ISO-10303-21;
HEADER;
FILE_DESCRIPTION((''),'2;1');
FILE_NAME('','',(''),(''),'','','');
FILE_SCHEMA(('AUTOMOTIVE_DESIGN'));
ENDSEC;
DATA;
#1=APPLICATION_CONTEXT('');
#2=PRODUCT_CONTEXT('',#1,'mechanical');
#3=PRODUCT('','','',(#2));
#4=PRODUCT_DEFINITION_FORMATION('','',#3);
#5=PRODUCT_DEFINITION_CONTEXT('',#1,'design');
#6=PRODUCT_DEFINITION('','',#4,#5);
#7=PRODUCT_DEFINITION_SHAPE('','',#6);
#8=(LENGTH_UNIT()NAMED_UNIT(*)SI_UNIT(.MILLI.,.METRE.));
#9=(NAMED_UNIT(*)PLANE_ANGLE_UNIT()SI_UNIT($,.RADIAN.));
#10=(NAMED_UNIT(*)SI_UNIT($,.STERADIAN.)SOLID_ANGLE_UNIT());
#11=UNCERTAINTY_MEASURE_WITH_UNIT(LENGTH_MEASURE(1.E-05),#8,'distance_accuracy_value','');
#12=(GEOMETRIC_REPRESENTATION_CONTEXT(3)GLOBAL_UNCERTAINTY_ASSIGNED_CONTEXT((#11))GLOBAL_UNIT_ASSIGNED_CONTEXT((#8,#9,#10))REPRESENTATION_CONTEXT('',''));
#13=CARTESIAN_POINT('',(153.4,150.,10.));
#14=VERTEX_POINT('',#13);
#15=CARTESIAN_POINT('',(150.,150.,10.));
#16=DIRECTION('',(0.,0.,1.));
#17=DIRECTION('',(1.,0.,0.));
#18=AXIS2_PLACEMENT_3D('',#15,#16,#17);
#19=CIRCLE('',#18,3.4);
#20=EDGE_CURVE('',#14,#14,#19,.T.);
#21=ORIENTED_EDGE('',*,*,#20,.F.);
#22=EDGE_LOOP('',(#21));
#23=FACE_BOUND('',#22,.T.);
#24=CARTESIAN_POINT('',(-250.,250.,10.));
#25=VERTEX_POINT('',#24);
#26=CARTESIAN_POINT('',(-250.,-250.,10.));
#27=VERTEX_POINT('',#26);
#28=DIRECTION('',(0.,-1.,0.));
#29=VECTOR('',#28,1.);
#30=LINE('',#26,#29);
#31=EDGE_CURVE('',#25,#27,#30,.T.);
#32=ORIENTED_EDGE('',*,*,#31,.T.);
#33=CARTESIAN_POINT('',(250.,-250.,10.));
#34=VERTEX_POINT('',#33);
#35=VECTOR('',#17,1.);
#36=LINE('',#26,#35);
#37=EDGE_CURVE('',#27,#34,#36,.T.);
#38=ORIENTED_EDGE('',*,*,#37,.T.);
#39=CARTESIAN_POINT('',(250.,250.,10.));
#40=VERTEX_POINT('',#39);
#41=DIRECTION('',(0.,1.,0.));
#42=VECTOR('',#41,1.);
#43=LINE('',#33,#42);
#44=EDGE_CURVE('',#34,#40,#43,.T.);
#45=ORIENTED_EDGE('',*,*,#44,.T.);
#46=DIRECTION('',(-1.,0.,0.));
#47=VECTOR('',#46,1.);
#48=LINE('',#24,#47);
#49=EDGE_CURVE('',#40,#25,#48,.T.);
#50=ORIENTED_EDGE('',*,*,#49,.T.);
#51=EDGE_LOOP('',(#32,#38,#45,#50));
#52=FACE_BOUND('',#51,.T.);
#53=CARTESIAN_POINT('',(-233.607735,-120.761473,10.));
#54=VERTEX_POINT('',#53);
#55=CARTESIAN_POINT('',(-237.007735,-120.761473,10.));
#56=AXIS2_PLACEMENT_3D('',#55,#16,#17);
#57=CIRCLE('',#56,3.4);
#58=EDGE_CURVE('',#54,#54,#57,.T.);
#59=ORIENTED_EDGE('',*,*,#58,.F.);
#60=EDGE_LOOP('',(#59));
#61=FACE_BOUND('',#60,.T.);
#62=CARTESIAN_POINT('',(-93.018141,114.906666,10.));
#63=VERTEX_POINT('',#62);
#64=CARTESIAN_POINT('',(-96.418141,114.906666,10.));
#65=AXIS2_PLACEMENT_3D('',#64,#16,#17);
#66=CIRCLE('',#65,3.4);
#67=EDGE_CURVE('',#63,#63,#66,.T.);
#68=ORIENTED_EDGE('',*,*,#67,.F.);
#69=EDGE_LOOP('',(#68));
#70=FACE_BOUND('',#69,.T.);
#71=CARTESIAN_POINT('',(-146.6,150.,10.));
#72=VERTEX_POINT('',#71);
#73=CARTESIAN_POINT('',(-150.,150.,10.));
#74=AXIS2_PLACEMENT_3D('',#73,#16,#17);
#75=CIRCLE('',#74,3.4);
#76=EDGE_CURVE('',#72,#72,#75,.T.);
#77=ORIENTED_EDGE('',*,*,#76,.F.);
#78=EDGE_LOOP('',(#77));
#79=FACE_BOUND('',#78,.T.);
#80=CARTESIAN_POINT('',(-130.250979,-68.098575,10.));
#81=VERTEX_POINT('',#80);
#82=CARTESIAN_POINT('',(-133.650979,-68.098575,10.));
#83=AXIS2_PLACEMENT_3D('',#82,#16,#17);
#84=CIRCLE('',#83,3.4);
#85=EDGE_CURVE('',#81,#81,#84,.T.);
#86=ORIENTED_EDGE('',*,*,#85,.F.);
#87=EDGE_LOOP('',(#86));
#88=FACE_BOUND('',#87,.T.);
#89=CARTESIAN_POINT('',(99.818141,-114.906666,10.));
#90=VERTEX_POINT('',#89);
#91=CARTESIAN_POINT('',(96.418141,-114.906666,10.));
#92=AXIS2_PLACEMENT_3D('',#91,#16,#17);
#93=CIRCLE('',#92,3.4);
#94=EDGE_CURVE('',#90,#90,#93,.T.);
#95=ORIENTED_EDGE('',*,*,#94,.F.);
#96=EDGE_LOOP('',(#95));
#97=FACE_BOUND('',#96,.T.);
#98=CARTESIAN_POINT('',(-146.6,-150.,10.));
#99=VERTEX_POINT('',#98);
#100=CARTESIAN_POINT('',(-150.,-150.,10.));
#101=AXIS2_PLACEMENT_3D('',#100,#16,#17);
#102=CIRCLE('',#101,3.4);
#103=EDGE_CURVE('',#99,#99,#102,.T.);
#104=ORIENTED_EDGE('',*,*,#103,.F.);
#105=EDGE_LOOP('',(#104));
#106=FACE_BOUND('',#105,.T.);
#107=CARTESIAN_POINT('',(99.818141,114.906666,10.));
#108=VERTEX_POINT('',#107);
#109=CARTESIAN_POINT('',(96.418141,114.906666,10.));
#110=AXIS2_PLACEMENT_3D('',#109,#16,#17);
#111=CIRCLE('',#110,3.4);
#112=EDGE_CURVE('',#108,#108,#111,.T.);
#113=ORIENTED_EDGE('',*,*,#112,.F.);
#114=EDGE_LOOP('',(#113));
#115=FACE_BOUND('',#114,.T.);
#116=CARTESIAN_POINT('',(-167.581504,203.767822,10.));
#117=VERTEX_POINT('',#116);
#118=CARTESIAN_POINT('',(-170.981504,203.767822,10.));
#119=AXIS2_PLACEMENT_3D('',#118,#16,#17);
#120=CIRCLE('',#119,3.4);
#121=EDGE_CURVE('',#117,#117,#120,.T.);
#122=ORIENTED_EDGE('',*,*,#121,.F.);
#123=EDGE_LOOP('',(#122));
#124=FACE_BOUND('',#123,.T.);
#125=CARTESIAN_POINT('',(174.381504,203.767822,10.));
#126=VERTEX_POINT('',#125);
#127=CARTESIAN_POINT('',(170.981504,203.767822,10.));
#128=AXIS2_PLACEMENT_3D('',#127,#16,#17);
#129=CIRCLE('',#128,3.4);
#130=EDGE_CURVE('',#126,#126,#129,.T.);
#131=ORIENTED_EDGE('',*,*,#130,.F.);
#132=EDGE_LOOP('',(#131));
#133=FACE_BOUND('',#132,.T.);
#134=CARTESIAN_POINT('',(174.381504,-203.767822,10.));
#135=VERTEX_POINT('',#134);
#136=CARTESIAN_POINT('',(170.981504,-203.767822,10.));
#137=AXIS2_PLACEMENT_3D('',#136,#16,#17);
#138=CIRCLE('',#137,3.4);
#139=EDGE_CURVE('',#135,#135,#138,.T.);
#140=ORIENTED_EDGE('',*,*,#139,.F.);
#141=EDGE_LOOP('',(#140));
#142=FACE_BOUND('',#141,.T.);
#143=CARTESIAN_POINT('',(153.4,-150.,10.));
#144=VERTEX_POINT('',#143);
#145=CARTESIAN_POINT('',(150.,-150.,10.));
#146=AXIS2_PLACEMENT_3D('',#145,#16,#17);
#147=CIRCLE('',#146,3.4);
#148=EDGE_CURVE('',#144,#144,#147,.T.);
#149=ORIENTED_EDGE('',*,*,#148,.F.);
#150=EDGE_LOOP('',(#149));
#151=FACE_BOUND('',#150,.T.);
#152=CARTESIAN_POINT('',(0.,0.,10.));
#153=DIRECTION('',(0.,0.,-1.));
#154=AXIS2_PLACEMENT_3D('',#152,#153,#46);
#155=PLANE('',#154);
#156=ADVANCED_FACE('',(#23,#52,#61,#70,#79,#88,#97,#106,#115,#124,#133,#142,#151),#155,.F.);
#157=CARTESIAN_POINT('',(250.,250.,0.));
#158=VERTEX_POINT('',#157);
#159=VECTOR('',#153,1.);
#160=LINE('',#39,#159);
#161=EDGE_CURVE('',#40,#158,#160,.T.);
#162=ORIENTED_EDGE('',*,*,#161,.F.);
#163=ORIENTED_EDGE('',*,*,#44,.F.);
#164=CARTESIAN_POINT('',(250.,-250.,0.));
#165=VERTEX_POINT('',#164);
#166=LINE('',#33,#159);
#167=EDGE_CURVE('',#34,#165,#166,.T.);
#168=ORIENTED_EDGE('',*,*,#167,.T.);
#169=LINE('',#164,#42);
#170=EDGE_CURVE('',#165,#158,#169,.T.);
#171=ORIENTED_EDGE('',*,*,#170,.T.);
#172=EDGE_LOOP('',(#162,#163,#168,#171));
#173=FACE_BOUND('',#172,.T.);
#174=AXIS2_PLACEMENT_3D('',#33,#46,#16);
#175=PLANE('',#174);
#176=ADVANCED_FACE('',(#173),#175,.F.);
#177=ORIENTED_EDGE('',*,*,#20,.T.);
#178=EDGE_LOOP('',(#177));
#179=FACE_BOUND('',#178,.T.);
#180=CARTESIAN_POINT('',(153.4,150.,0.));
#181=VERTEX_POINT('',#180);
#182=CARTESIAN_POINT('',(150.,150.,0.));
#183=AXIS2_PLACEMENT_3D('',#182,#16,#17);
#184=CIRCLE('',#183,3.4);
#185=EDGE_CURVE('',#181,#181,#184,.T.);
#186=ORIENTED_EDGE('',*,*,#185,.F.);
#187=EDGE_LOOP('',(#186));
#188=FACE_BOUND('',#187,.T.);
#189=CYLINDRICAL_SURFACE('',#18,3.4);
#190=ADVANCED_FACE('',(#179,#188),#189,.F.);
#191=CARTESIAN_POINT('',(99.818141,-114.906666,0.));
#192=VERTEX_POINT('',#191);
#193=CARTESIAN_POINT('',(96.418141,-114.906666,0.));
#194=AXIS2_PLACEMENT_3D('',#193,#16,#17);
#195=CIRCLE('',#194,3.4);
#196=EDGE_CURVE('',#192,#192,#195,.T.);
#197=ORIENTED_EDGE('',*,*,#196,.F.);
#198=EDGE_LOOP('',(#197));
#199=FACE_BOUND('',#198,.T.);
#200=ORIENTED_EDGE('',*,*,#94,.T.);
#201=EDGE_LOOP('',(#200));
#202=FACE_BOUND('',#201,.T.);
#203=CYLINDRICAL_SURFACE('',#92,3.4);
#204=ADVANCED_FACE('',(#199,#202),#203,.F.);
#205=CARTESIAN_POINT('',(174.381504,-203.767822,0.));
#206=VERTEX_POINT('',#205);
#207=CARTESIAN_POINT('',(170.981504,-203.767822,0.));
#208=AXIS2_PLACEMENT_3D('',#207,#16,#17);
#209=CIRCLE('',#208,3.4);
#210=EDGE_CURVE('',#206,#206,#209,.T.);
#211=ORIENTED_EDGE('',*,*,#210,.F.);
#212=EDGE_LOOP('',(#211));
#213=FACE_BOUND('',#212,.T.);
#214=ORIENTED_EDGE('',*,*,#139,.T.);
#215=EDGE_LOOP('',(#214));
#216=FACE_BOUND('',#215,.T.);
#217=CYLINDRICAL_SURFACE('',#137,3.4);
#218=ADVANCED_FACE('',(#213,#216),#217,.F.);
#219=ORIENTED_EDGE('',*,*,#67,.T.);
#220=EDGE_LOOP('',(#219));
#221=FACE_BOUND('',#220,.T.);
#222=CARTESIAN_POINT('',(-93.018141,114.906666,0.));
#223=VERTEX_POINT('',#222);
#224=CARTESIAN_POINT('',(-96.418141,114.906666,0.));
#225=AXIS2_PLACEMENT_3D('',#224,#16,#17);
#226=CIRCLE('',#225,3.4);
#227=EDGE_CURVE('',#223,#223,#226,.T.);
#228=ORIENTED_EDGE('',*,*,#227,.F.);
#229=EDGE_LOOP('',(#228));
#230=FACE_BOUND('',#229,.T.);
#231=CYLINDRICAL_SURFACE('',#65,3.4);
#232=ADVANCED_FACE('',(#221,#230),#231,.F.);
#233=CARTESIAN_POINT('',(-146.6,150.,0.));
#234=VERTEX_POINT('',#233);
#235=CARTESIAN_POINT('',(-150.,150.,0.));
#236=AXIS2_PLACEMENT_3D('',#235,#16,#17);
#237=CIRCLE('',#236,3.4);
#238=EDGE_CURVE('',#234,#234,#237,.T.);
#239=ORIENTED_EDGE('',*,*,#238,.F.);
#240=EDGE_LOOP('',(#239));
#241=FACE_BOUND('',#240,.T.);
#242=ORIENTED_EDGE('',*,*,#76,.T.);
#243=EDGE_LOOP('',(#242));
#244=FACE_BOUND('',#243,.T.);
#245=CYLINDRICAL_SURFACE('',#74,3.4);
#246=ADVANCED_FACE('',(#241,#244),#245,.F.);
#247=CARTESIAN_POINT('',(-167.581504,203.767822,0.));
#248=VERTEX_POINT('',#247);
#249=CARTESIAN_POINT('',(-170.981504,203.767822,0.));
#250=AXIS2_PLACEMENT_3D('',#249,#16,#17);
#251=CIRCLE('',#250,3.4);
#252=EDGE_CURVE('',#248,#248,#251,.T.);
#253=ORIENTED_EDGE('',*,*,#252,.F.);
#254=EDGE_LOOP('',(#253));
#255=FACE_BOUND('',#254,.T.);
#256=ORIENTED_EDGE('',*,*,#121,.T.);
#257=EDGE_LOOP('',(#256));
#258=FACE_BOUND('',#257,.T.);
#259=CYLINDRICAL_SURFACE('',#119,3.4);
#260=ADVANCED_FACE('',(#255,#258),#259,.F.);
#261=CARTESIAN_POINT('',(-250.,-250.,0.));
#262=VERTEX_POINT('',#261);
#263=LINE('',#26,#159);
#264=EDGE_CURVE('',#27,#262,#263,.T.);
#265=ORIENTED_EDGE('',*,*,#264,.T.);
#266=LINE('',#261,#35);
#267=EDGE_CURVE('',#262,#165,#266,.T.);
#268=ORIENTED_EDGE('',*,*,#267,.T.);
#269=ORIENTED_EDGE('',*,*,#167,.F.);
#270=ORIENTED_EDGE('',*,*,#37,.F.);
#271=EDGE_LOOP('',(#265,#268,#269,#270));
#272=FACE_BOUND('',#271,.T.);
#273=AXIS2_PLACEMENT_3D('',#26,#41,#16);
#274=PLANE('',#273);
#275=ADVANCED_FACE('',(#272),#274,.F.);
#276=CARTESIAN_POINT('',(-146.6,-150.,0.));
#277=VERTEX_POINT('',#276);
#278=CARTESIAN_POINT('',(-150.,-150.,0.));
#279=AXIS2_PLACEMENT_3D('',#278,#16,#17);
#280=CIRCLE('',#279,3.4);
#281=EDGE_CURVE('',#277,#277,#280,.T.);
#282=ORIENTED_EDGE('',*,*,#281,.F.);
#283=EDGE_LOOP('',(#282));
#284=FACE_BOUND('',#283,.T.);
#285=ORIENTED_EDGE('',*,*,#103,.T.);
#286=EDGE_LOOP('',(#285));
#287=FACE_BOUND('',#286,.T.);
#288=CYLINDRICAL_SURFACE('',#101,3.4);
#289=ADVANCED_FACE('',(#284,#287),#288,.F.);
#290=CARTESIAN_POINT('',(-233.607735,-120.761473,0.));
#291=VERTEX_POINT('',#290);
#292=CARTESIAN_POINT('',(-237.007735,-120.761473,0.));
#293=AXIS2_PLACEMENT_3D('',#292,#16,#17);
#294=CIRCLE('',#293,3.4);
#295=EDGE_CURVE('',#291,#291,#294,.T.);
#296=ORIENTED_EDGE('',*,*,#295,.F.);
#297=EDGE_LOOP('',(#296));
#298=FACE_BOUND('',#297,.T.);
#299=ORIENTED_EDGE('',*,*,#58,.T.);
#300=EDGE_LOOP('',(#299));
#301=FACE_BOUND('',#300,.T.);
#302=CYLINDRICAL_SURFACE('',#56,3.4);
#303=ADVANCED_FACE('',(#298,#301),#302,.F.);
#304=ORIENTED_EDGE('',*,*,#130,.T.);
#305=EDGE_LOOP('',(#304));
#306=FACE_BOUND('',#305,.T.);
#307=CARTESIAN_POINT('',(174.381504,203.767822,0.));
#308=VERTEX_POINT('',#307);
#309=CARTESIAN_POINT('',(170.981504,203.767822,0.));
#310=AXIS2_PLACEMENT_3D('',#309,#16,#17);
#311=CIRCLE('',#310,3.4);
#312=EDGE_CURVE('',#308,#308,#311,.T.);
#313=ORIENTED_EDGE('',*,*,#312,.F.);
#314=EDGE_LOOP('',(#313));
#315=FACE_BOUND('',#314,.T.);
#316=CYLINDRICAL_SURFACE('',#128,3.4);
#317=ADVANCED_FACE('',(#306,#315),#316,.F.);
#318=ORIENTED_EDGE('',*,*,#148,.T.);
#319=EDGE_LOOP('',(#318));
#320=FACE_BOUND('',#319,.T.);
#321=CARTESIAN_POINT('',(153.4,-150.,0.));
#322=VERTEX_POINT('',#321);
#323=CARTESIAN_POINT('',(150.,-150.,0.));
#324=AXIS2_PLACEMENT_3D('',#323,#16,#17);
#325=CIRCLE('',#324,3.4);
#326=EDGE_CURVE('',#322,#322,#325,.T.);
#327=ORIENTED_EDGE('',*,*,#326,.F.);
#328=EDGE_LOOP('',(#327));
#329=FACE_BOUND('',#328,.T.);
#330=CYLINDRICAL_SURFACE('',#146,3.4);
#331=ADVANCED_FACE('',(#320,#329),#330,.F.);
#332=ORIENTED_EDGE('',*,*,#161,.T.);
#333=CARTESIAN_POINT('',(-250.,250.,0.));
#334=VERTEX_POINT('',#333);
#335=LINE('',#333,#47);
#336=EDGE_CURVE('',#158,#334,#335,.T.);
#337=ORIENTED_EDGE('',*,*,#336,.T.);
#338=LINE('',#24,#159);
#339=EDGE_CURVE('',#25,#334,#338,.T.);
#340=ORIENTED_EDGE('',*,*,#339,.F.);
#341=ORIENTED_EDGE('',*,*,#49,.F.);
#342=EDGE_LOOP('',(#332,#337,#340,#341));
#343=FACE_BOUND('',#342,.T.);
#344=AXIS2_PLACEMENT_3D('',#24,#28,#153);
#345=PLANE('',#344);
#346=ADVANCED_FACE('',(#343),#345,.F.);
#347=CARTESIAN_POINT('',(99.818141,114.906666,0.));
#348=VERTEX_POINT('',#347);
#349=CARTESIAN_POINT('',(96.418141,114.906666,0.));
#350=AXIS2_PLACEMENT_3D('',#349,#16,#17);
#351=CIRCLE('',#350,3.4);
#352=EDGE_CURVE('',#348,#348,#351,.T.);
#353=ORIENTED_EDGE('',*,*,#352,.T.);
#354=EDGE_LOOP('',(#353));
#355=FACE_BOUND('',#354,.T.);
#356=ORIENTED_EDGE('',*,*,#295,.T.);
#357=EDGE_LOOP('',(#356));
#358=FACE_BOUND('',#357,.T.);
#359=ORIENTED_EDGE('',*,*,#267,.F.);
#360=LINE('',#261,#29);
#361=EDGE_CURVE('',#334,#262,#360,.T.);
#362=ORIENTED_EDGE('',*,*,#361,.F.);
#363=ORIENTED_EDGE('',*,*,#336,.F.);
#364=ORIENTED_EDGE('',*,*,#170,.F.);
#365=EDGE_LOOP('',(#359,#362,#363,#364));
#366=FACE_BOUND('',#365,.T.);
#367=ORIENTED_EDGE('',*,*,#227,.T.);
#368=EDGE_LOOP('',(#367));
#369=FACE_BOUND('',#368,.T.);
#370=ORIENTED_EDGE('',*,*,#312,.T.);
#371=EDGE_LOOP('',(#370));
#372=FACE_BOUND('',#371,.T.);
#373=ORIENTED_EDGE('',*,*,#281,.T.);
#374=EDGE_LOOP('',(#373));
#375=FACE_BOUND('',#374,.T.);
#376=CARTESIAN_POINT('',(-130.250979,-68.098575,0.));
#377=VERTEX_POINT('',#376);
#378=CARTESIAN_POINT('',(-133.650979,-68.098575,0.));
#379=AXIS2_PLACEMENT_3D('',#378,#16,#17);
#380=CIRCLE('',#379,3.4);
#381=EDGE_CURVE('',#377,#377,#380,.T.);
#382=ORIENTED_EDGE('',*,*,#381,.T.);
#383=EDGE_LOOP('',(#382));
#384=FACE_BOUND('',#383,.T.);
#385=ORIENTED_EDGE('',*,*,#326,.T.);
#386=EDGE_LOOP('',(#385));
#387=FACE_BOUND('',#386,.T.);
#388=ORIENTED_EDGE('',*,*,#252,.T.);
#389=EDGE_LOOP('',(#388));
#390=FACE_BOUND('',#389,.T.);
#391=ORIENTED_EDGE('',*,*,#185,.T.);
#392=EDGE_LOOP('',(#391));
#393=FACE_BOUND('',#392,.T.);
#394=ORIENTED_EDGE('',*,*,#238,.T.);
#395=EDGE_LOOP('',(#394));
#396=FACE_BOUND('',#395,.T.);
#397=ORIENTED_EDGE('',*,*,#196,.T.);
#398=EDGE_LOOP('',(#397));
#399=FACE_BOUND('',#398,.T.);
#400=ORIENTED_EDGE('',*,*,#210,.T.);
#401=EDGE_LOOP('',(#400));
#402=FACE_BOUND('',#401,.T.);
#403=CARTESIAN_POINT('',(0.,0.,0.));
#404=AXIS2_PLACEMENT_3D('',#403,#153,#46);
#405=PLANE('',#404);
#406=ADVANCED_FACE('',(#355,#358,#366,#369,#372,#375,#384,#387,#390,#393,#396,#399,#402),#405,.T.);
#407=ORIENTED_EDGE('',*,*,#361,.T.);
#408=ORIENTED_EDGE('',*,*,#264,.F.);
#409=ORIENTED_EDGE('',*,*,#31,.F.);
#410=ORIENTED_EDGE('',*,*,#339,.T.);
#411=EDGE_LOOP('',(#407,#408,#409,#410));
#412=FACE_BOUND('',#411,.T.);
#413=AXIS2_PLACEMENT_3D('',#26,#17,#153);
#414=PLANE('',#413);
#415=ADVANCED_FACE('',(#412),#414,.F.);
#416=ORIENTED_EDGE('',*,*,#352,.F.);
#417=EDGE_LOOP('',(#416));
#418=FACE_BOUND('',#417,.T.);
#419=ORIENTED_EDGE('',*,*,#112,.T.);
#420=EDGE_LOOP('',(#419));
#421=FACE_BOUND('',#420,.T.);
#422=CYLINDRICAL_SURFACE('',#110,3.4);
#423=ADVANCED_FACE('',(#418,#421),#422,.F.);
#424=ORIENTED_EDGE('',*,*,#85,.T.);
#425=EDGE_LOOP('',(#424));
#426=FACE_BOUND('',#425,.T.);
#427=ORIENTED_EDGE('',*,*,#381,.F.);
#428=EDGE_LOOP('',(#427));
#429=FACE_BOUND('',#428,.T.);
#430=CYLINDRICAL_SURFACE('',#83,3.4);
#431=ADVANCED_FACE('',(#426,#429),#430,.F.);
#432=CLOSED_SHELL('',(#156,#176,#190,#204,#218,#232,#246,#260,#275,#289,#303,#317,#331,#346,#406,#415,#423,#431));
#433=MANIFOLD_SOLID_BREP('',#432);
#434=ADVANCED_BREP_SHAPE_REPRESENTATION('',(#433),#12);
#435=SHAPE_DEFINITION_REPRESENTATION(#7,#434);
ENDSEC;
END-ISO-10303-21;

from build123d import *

# Parameters (mm, degrees)
SKETCH_1_W      = 500
SKETCH_1_H      = 500
EXTRUDE_1_DEPTH = 10
M8X1_25_2_D     = 6.8
M8X1_25_1_D     = 6.8


with BuildPart() as part:
    # ｽｹｯﾁ1 → ﾎﾞｽ - 押し出し1 (new body)
    with BuildSketch(Plane.XY):
        Rectangle(SKETCH_1_W, SKETCH_1_H)
    extrude(amount=EXTRUDE_1_DEPTH)

    # M8x1.25 ねじ穴2 (through all)
    with Locations(Plane(origin=(-150, 150, 10), x_dir=(1, 0, 0), z_dir=(0, 0, 1))):
        with Locations((0, 0), (300, 0), (0, -300), (300, -300)):
            Hole(M8X1_25_2_D / 2)

    # M8x1.25 ねじ穴1 (through all)
    with Locations(Plane(origin=(-96.418141453, 114.906666468, 10), x_dir=(1, 0, 0), z_dir=(0, 0, 1))):
        with Locations((0, 0), (192.836282906, 0), (192.836282906, -229.813332936), (-37.232837175, -183.005241429), (-74.563362724, 88.861155402), (267.39964563, 88.861155402), (-140.589593981, -235.668139399), (267.39964563, -318.674488338)):
            Hole(M8X1_25_1_D / 2)


solid = part.part
